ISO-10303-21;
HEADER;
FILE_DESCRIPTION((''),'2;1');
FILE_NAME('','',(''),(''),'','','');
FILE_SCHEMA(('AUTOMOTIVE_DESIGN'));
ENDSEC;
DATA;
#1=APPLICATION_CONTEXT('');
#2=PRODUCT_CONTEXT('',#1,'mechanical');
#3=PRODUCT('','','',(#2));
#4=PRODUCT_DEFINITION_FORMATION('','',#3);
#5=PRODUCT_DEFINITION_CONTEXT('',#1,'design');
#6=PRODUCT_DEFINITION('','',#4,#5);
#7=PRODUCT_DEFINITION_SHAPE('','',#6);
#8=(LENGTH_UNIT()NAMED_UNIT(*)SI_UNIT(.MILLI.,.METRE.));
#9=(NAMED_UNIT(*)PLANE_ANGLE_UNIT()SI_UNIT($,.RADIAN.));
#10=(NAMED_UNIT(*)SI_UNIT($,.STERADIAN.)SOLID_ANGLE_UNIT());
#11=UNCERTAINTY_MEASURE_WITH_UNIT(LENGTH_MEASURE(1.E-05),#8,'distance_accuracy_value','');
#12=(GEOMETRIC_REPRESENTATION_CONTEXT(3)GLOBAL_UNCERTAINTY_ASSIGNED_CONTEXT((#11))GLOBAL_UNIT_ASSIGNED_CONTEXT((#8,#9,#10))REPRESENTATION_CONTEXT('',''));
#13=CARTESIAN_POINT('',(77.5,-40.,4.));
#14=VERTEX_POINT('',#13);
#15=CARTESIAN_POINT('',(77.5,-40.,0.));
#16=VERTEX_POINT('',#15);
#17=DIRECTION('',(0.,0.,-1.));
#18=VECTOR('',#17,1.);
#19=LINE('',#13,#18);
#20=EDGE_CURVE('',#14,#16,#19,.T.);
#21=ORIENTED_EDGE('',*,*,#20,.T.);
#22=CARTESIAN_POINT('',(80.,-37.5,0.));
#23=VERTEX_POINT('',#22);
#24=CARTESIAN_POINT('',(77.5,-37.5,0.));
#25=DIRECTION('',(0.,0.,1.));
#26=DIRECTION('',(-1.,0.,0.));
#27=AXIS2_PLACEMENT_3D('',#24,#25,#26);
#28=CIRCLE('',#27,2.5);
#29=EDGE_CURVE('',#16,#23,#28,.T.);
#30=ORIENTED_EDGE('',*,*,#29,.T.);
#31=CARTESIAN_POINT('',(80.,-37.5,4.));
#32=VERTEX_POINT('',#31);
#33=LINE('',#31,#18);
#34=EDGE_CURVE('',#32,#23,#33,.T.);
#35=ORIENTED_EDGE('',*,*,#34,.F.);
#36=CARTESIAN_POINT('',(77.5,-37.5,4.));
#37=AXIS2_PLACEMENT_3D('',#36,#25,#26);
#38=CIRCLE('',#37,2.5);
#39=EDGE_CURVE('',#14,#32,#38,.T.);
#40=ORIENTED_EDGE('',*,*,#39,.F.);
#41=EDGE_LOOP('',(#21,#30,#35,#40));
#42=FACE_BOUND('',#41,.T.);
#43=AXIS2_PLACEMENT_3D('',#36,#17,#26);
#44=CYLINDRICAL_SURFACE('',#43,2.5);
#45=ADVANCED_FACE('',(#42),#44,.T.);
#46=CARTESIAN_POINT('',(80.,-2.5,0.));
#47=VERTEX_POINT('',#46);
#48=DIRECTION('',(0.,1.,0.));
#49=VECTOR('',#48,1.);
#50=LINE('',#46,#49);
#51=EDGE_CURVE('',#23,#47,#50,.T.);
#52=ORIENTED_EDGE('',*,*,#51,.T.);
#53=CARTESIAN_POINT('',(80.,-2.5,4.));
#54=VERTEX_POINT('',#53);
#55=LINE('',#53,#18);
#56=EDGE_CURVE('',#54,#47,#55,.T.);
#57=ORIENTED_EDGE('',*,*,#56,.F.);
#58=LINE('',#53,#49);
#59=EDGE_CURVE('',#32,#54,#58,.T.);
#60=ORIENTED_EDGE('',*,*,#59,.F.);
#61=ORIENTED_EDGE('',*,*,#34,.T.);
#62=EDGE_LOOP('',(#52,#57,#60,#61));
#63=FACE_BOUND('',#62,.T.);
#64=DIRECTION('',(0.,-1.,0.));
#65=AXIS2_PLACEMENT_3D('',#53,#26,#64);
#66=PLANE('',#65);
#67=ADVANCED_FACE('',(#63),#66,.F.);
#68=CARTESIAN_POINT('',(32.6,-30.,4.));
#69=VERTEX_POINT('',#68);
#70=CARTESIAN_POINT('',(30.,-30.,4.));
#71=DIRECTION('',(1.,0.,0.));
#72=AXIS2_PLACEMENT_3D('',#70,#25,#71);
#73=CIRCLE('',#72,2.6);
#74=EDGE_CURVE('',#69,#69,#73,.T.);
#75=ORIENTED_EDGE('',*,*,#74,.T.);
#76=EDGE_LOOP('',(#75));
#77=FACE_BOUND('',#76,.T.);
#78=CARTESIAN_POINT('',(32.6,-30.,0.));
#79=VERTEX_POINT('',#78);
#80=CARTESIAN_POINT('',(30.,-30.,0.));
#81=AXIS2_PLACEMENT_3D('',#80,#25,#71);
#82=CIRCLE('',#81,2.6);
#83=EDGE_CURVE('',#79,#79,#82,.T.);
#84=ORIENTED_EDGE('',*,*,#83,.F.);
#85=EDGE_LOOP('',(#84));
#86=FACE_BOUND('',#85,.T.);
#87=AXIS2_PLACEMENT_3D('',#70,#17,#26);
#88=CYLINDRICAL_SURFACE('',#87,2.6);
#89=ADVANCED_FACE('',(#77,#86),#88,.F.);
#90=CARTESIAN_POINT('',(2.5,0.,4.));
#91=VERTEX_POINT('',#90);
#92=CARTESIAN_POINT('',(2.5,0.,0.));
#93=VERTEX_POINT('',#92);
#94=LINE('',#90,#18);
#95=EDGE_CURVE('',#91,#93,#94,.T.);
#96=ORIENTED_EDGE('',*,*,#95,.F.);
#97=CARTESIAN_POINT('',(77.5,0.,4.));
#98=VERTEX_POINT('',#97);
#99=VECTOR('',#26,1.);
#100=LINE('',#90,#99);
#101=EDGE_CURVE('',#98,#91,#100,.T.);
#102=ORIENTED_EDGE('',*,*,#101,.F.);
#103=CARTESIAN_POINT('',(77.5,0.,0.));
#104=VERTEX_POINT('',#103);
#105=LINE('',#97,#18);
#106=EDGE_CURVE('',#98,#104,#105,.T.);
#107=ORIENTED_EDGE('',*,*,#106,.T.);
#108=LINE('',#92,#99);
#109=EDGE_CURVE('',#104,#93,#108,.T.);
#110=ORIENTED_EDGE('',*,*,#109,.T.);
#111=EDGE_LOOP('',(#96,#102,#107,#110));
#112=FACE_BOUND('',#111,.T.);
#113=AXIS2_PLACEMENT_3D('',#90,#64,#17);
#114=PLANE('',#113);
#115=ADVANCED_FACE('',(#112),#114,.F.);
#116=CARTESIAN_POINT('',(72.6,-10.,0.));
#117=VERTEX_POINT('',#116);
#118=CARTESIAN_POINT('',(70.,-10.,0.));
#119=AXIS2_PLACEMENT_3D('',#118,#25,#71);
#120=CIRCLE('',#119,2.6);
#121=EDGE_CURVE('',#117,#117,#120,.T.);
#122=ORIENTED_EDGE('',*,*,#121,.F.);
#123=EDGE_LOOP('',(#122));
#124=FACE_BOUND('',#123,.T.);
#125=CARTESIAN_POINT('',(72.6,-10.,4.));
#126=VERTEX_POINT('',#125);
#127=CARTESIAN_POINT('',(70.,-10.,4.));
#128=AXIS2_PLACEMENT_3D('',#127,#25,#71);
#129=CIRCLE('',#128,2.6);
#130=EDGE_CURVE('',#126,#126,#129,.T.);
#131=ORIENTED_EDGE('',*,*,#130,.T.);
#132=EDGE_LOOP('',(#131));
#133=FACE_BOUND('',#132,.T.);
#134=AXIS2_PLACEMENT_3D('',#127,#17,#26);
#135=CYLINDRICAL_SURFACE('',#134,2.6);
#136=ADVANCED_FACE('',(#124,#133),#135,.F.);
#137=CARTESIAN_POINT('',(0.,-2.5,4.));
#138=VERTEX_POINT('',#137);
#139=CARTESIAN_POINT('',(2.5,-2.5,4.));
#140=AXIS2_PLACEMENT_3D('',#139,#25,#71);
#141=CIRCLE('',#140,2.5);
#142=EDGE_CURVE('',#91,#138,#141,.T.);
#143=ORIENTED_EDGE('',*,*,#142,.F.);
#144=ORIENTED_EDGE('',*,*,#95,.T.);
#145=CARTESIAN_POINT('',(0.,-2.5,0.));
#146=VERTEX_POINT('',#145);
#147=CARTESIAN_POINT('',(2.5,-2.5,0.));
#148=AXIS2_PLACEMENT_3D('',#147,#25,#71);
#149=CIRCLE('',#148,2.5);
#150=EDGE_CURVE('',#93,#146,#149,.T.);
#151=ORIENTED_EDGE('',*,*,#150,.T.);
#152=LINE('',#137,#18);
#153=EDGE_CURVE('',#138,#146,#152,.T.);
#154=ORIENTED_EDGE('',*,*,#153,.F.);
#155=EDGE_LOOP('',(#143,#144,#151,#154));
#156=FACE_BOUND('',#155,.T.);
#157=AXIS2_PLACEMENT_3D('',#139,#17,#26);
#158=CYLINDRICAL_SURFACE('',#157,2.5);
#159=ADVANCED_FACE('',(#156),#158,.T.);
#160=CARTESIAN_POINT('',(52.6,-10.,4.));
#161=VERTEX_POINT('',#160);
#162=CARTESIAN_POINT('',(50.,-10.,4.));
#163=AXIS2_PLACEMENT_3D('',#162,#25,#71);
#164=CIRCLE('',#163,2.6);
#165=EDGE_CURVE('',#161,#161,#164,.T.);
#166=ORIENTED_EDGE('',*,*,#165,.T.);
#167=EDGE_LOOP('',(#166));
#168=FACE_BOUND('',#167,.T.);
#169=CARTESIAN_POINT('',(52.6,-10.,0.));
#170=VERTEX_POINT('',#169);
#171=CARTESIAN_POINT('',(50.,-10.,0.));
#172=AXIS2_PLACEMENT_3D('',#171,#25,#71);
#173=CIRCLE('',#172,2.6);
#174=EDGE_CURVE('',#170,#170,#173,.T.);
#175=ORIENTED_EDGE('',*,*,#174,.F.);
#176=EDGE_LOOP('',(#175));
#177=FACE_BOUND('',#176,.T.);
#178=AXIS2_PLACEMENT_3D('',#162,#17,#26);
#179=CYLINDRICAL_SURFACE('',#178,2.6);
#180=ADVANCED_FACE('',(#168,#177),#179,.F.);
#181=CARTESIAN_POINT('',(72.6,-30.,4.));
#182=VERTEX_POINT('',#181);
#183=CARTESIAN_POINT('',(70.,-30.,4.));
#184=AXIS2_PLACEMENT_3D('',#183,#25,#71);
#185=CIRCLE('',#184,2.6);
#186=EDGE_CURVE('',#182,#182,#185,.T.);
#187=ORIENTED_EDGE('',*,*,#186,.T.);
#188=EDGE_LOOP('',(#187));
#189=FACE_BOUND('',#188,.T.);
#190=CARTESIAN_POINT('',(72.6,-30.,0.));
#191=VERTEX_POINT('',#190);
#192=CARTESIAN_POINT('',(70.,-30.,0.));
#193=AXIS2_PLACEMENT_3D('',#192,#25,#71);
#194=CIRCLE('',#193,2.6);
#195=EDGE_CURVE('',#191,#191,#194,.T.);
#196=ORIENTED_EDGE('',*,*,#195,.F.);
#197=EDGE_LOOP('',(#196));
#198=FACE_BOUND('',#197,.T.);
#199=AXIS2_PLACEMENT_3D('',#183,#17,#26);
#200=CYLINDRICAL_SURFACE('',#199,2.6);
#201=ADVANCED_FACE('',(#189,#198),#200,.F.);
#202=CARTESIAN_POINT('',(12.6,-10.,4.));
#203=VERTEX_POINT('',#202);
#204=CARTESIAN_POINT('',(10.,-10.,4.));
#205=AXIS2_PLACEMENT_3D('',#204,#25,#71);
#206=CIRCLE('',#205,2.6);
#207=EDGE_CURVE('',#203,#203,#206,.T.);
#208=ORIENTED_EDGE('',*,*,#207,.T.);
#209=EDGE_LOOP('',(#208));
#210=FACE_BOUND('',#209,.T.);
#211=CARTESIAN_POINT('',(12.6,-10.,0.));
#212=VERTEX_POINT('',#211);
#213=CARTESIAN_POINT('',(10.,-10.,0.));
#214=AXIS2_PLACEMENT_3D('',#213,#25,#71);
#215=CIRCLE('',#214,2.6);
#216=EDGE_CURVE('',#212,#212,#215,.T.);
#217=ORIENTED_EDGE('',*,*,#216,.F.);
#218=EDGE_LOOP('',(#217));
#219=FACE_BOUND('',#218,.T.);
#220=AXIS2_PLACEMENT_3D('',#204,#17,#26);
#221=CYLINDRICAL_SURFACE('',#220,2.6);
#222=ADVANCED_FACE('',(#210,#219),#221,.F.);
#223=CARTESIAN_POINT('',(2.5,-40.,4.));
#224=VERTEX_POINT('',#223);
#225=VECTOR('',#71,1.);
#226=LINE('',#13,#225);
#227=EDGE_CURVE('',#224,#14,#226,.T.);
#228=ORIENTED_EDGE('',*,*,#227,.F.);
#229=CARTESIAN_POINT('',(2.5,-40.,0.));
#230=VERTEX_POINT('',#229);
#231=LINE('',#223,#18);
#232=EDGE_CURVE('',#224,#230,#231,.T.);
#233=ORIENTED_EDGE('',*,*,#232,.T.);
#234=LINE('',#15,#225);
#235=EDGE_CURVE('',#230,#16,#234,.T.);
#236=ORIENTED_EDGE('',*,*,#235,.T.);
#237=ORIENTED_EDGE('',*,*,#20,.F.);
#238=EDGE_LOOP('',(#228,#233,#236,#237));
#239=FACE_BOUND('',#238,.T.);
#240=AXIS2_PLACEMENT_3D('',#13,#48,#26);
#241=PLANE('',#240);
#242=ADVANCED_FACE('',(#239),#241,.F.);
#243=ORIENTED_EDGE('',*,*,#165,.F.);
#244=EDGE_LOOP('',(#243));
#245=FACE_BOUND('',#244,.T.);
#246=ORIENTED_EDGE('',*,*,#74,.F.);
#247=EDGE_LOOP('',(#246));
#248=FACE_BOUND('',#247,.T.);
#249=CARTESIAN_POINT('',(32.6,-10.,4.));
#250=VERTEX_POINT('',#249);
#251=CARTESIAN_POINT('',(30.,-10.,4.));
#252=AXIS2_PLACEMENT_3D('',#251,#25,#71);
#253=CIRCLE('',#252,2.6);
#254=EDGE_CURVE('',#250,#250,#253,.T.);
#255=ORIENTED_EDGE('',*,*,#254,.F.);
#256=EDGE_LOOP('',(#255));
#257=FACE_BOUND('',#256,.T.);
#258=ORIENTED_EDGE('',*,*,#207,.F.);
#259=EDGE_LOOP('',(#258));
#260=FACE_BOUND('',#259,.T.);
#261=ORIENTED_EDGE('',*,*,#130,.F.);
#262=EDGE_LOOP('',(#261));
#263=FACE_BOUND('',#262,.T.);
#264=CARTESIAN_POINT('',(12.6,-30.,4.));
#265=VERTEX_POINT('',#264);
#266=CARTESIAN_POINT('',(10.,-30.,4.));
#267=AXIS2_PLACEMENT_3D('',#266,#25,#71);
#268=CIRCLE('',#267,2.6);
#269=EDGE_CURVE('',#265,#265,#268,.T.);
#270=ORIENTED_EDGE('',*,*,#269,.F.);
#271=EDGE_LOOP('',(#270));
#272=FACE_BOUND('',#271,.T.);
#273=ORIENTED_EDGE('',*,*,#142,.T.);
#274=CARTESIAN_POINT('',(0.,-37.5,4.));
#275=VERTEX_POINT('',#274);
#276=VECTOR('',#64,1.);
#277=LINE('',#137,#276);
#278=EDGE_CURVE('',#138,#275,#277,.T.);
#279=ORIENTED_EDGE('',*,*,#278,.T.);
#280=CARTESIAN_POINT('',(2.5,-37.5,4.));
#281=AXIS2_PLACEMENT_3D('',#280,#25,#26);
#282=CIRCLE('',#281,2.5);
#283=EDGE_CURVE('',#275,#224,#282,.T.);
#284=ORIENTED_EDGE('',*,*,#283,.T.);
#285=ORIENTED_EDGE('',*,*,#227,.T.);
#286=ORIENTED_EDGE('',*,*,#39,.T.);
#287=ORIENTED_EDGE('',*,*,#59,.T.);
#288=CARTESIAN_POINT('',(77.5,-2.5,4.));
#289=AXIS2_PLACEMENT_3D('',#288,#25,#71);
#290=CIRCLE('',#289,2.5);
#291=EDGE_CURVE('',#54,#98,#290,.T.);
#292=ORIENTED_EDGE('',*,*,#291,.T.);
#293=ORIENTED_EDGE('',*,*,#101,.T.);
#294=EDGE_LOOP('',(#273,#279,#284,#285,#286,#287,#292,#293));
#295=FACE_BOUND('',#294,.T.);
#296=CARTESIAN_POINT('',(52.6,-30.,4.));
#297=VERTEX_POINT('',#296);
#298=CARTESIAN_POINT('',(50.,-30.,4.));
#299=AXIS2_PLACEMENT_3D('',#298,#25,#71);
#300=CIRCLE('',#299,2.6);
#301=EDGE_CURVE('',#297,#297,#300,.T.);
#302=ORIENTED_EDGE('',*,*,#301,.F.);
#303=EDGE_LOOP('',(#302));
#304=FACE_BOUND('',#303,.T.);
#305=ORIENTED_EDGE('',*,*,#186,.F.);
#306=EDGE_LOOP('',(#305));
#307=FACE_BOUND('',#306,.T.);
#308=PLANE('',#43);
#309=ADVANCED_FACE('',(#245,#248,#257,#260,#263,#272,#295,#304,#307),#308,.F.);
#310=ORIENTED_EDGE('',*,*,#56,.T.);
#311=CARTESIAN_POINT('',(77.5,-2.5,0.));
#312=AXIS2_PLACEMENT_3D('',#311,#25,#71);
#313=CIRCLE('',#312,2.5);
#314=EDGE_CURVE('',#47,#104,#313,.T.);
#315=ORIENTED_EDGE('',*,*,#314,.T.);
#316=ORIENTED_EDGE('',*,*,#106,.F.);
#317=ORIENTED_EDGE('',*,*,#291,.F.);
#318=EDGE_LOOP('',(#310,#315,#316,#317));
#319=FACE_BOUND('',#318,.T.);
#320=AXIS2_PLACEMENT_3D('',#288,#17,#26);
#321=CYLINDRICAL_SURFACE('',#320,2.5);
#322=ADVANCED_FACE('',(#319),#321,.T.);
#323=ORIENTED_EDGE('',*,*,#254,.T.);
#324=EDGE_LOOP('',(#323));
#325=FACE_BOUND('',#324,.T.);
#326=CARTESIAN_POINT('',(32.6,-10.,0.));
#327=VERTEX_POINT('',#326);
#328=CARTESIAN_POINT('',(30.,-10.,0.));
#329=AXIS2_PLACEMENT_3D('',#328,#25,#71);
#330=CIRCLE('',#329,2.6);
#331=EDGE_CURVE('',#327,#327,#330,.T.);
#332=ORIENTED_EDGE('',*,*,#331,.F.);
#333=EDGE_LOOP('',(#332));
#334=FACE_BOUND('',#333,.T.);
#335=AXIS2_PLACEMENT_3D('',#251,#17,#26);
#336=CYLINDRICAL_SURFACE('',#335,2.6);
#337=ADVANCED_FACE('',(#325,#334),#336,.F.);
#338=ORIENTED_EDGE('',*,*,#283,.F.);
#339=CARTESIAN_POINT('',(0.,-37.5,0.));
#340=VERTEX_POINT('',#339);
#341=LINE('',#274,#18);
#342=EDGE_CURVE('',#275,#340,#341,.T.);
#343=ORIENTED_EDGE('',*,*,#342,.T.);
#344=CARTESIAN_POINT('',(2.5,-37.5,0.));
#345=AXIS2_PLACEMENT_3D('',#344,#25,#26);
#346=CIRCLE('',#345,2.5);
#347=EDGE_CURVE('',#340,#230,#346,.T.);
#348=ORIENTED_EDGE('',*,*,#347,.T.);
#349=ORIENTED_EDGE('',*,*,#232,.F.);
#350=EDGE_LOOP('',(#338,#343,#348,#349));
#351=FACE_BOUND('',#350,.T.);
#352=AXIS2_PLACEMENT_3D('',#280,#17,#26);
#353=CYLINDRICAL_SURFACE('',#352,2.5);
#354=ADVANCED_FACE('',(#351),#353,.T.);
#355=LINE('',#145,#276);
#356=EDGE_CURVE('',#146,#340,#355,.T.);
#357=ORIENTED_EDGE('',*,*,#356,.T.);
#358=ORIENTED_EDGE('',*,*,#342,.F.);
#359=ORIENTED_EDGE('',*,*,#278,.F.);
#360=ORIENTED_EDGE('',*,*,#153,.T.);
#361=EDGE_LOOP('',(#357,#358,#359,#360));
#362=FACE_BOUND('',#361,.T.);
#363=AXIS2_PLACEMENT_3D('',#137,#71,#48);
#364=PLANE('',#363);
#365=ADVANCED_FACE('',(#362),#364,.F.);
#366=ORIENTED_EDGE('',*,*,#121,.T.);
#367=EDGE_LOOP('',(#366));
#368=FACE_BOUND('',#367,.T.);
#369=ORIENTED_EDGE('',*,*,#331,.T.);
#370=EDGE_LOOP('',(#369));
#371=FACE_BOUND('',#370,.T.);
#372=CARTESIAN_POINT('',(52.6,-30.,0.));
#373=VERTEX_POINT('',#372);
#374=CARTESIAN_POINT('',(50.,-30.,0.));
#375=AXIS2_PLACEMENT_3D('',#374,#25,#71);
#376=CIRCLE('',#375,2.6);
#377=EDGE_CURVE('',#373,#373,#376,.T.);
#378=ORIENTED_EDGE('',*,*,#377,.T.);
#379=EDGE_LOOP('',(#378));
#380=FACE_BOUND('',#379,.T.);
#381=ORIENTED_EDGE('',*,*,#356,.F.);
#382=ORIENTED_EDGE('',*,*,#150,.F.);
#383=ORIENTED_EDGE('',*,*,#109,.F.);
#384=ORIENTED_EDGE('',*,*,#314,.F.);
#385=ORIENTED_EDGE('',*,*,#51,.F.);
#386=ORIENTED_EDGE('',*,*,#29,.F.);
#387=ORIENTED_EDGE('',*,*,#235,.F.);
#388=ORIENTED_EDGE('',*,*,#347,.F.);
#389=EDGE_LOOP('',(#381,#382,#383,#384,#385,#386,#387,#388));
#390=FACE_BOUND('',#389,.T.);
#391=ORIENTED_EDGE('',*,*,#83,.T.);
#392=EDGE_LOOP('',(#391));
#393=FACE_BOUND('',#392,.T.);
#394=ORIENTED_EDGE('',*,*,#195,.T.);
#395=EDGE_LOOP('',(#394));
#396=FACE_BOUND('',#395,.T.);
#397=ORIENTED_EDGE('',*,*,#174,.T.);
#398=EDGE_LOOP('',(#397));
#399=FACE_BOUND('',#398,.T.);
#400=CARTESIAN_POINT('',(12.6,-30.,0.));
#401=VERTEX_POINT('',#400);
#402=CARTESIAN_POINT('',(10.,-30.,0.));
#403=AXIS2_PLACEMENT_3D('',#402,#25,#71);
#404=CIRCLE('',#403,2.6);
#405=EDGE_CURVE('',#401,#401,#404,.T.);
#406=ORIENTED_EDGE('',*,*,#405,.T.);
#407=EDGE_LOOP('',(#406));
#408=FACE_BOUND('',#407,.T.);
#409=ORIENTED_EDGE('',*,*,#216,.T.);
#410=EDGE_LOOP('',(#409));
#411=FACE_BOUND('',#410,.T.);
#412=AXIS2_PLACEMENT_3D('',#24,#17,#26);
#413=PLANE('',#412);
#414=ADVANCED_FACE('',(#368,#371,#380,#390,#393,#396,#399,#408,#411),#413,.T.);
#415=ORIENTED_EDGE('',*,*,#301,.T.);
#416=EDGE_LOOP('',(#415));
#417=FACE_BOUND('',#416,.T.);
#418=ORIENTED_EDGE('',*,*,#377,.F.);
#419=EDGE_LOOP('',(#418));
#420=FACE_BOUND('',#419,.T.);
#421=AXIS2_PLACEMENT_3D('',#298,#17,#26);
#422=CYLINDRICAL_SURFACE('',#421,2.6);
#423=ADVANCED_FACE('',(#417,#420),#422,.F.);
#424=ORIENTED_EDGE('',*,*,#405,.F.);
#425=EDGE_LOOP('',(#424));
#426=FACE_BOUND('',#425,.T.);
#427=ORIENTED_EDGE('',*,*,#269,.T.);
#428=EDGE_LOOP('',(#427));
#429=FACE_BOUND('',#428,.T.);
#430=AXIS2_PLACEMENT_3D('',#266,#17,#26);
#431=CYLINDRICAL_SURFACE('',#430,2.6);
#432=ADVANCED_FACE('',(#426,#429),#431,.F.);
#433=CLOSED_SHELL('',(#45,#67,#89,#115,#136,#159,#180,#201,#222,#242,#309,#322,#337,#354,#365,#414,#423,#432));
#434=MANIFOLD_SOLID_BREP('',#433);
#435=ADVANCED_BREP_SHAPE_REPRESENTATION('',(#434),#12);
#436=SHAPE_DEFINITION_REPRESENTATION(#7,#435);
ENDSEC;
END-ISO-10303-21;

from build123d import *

# Parameters (mm, degrees)
SKETCH_1_R      = 2.6
EXTRUDE_1_DEPTH = 4


with BuildPart() as part:
    # Эскиз1 → Бобышка-Вытянуть1 (new body)
    with BuildSketch(Plane.XY):
        with BuildLine():
            Line((2.5, 0), (77.5, 0))
            ThreePointArc((77.5, 0), (79.267766953, -0.732233047), (80, -2.5))
            Line((80, -2.5), (80, -37.5))
            ThreePointArc((80, -37.5), (79.267766953, -39.267766953), (77.5, -40))
            Line((77.5, -40), (2.5, -40))
            ThreePointArc((2.5, -40), (0.732233047, -39.267766953), (0, -37.5))
            Line((0, -37.5), (0, -2.5))
            ThreePointArc((0, -2.5), (0.732233047, -0.732233047), (2.5, 0))
        make_face()
        with Locations((10, -10)):
            Circle(SKETCH_1_R, mode=Mode.SUBTRACT)
        with Locations((30, -10)):
            Circle(SKETCH_1_R, mode=Mode.SUBTRACT)
        with Locations((50, -10)):
            Circle(SKETCH_1_R, mode=Mode.SUBTRACT)
        with Locations((70, -10)):
            Circle(SKETCH_1_R, mode=Mode.SUBTRACT)
        with Locations((30, -30)):
            Circle(SKETCH_1_R, mode=Mode.SUBTRACT)
        with Locations((50, -30)):
            Circle(SKETCH_1_R, mode=Mode.SUBTRACT)
        with Locations((70, -30)):
            Circle(SKETCH_1_R, mode=Mode.SUBTRACT)
        with Locations((10, -30)):
            Circle(SKETCH_1_R, mode=Mode.SUBTRACT)
    extrude(amount=EXTRUDE_1_DEPTH)


solid = part.part
